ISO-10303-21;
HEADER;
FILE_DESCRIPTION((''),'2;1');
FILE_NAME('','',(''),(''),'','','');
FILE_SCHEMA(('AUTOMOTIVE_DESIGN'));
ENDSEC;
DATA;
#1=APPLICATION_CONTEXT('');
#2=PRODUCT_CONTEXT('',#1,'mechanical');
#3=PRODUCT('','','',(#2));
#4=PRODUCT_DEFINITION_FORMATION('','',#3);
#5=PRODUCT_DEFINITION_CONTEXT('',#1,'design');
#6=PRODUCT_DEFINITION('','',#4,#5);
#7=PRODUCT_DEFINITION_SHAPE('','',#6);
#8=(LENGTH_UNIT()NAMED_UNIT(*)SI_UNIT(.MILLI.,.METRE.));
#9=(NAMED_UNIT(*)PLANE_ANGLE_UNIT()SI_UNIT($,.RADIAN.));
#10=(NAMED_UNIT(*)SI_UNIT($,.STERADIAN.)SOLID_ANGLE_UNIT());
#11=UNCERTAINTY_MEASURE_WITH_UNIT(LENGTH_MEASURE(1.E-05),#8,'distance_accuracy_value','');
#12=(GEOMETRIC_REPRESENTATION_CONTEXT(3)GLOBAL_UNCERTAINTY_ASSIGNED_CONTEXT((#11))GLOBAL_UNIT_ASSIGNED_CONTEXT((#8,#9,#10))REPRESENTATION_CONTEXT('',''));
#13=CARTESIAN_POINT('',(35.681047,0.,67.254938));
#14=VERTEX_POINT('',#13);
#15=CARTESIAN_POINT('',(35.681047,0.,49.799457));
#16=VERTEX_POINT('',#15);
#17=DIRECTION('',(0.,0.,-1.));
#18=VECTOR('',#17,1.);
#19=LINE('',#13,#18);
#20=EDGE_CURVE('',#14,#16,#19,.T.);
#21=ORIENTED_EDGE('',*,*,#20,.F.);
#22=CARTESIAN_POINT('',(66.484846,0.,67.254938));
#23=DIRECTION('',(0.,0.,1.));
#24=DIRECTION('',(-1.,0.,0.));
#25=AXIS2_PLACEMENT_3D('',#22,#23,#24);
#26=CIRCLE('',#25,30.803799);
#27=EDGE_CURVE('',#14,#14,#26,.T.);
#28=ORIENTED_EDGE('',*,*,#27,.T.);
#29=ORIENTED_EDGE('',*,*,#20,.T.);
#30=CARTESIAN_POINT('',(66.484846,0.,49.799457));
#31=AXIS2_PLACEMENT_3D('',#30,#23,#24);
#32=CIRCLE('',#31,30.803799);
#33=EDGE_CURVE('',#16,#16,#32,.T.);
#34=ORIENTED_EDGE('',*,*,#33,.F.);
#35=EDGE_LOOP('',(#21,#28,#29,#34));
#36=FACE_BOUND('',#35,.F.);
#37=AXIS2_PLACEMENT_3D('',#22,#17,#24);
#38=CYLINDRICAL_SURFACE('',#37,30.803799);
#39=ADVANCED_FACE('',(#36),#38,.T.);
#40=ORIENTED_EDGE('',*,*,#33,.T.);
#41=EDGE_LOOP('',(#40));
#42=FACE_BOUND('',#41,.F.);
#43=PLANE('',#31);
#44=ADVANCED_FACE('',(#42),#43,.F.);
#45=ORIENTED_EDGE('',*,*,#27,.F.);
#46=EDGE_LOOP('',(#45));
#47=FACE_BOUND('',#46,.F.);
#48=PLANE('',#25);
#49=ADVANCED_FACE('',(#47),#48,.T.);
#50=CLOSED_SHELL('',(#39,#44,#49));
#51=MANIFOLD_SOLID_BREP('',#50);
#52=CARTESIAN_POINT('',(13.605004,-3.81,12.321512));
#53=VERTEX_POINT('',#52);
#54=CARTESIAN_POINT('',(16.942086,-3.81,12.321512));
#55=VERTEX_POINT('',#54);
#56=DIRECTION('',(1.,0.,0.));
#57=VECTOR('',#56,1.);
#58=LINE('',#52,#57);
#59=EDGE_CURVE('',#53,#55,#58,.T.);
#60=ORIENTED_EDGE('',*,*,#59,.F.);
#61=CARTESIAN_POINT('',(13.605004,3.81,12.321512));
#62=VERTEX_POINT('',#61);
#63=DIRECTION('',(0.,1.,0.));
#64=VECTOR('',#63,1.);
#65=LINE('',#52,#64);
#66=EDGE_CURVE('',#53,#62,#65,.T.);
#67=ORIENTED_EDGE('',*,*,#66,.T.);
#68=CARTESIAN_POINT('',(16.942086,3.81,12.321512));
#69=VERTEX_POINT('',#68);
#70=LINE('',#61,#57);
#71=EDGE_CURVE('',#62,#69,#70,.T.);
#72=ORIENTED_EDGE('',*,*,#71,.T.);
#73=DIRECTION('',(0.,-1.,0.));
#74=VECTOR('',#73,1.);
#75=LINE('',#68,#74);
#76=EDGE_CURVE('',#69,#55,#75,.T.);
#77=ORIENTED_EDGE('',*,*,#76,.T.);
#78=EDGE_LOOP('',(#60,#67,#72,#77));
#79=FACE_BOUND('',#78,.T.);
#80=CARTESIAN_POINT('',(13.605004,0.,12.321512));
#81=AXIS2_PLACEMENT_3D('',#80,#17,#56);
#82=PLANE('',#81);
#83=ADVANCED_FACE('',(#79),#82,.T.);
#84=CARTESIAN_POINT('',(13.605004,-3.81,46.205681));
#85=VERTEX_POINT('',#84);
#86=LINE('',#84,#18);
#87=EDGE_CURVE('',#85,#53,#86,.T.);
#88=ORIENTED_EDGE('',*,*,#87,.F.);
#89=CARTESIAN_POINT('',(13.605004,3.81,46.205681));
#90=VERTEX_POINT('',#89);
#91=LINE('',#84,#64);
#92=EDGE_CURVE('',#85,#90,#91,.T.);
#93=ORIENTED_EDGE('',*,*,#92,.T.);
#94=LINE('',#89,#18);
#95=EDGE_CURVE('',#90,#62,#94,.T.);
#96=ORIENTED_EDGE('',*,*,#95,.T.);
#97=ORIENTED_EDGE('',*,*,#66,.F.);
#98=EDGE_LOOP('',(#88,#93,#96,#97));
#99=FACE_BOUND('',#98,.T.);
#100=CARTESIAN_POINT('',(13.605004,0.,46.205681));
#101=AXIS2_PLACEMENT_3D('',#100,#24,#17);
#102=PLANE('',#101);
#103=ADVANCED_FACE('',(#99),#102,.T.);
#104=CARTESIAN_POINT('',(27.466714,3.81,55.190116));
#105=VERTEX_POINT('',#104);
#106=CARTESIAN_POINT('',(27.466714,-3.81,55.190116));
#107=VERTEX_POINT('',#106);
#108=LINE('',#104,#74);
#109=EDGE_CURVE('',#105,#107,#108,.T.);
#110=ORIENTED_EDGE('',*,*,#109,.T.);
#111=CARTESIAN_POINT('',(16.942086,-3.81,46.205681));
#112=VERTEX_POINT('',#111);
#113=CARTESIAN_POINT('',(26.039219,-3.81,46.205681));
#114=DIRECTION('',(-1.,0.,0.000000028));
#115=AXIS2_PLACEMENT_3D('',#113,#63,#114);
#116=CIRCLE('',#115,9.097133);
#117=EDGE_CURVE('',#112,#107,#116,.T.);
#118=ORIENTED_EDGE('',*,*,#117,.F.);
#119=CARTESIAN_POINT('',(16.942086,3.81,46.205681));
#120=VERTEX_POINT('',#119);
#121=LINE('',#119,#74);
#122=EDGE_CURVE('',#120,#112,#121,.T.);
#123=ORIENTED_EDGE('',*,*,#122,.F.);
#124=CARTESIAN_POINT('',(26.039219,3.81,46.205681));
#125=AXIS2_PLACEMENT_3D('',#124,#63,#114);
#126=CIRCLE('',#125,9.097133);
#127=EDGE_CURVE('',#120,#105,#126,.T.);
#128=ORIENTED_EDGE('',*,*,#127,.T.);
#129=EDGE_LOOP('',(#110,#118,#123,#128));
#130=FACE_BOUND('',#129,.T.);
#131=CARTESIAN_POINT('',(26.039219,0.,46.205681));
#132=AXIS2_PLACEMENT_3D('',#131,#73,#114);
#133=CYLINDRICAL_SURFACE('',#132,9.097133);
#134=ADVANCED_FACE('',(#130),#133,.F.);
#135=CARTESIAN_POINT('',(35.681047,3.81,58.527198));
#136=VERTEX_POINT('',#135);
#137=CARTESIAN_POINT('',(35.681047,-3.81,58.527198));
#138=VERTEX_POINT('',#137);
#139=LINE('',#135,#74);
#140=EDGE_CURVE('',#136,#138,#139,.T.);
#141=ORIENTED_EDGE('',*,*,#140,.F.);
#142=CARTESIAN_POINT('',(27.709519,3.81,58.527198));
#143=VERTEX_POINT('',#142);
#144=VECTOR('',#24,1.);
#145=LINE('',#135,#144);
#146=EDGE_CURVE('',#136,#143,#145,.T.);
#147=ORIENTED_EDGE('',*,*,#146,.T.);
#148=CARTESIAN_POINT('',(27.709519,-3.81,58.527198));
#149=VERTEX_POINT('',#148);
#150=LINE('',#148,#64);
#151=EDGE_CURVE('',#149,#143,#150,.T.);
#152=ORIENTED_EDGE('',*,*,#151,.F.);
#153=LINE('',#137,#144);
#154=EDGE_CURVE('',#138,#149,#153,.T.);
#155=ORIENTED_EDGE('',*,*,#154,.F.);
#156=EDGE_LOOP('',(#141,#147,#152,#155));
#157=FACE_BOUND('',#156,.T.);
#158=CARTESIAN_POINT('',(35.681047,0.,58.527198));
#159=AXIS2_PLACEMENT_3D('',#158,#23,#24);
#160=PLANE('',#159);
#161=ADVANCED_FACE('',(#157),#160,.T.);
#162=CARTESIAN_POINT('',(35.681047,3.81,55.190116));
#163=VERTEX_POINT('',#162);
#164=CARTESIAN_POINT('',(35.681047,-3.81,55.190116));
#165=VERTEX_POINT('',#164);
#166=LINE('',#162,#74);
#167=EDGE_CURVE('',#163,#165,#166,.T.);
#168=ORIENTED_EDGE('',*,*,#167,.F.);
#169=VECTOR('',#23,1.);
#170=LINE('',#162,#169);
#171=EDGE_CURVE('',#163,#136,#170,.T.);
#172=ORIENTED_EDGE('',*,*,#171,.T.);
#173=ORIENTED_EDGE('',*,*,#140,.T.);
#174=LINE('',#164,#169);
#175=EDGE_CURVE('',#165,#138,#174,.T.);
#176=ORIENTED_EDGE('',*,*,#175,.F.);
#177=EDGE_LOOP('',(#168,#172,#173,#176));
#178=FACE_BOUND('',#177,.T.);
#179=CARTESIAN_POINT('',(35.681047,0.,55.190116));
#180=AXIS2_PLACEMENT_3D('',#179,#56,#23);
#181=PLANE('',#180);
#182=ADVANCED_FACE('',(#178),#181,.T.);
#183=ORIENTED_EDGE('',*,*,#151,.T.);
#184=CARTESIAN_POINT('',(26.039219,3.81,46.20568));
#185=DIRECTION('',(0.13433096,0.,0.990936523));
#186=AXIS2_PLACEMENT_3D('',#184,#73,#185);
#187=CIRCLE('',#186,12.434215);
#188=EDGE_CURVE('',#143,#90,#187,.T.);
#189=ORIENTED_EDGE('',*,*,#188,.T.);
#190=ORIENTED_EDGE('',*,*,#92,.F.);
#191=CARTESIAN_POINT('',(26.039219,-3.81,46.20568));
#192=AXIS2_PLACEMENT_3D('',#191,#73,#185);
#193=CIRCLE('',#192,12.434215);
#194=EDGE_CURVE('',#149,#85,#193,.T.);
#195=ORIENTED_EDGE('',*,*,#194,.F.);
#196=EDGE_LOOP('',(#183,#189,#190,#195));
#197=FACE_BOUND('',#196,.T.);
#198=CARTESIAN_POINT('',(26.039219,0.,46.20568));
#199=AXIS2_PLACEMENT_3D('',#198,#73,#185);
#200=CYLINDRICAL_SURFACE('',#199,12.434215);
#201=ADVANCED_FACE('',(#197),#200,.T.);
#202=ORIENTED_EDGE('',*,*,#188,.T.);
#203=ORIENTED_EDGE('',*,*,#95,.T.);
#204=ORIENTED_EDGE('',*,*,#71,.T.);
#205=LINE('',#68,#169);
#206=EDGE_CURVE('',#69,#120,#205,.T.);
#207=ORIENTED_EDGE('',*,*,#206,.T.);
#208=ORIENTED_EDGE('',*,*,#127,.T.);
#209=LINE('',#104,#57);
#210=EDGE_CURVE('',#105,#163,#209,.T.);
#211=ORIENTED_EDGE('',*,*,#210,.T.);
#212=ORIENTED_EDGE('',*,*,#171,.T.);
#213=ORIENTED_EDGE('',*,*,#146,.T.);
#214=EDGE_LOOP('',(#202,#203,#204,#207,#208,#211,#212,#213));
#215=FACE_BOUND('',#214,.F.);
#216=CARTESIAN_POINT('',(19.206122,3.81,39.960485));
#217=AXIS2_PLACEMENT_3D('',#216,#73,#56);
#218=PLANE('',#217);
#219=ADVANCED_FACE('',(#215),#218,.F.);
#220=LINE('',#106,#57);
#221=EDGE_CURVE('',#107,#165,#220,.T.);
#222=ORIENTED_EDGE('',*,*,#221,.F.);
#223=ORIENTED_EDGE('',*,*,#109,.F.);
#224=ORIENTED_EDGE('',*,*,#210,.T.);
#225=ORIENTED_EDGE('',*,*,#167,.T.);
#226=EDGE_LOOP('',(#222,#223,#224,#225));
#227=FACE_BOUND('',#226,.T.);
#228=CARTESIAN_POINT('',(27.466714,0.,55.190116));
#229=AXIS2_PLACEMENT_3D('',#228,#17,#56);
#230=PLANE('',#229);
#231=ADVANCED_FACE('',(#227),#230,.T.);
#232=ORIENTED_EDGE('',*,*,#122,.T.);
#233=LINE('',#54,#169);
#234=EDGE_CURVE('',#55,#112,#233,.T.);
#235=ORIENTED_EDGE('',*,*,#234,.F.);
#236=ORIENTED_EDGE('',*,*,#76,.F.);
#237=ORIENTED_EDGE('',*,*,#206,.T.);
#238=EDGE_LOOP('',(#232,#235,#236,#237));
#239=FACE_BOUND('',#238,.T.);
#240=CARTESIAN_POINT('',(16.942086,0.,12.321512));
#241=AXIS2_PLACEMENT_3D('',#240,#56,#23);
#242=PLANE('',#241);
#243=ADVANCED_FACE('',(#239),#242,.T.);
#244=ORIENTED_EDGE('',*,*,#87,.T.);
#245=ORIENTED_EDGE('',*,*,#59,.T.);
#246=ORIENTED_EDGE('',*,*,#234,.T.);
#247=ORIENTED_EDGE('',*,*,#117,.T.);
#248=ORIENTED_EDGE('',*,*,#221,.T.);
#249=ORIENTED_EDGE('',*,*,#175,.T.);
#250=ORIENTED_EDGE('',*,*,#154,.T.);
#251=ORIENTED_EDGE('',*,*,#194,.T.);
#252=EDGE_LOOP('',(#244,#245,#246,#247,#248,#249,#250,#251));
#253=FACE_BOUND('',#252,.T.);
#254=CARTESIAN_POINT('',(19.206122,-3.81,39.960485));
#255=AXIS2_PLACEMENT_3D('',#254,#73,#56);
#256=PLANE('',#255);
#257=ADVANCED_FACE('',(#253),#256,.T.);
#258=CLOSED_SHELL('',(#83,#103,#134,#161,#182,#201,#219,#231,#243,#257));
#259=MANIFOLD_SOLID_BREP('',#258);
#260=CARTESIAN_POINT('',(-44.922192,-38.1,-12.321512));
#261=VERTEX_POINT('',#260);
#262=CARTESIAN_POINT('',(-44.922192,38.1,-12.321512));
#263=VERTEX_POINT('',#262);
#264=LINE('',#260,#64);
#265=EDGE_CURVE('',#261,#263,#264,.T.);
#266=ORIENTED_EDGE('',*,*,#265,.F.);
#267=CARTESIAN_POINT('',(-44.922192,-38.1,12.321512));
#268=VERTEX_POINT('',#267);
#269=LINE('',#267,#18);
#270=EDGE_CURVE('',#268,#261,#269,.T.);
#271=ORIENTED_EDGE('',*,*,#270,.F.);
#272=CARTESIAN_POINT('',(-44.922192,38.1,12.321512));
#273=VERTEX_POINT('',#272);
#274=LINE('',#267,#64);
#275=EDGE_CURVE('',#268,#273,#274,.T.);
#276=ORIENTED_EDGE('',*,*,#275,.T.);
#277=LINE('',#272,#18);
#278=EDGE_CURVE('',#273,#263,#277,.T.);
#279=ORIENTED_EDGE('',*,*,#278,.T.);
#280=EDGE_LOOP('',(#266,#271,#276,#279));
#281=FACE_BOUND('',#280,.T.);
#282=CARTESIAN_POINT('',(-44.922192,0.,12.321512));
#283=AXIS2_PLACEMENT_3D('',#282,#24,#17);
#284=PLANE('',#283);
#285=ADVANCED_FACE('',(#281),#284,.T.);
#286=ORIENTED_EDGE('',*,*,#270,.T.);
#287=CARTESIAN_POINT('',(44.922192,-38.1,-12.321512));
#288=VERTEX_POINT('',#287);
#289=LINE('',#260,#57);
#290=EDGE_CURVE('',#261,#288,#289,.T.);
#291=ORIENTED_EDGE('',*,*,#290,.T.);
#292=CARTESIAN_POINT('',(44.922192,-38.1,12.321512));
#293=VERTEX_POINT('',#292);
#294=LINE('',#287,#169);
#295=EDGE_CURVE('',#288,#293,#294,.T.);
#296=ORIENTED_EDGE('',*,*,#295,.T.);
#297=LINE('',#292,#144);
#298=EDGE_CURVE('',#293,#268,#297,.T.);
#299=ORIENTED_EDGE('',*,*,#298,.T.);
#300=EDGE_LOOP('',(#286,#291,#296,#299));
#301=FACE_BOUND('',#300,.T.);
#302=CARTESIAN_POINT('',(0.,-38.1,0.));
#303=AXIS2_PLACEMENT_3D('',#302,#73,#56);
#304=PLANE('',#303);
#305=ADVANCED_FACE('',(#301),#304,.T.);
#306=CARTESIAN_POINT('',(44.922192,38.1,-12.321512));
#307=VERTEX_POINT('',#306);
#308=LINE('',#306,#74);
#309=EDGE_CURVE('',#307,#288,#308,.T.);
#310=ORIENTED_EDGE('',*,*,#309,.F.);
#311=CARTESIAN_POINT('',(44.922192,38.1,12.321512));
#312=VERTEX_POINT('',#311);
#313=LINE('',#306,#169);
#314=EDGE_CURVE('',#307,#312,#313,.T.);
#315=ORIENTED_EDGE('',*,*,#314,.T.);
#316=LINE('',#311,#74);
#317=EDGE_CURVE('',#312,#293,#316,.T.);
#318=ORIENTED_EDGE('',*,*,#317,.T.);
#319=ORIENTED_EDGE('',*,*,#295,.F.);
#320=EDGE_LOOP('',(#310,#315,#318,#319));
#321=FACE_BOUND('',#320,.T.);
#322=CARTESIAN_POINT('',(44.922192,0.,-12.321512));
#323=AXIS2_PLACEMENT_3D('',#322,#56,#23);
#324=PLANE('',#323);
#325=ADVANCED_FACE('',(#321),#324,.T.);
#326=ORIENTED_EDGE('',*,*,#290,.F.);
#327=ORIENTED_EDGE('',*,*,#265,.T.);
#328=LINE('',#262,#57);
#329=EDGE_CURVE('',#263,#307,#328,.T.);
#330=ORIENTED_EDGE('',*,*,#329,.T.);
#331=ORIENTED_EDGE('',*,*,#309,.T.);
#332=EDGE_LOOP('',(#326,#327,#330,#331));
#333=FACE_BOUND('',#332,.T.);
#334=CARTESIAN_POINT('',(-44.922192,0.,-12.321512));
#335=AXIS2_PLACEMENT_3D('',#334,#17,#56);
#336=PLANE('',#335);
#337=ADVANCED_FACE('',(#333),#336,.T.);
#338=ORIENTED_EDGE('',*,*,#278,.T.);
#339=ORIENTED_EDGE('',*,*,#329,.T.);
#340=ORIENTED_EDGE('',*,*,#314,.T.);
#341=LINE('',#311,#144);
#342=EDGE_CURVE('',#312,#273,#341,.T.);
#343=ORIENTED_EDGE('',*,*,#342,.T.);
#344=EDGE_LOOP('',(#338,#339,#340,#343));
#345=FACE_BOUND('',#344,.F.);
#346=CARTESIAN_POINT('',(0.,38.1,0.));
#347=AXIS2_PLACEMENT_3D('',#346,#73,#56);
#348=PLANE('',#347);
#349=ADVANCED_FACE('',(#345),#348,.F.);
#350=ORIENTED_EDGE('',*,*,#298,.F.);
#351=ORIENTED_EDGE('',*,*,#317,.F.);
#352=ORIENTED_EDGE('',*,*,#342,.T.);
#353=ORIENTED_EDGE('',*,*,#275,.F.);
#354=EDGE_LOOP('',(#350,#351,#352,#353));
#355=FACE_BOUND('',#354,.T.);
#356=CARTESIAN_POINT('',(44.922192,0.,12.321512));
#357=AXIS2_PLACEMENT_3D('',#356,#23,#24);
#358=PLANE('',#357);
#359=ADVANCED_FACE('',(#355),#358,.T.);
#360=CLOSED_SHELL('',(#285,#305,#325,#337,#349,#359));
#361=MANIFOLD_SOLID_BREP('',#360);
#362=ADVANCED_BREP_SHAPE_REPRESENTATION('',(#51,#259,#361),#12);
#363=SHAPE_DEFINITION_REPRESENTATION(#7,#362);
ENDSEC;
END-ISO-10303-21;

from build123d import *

# Parameters (mm, degrees)
F1_DEPTH = 38.1
F3_DEPTH = 3.81


with BuildPart() as f1:
    # F0 (on Front) → F1 (new body, symmetric)
    with BuildSketch(Plane.XZ):
        Polygon((-44.922192, -12.321512), (44.922192, -12.321512), (44.922192, 12.321512), (16.942086, 12.321512), (13.605004, 12.321512), (-44.922192, 12.321512), align=None)
    extrude(amount=F1_DEPTH, both=True)


with BuildPart() as f2:
    # F0 (on Front) → F2 (revolve)
    with BuildSketch(Plane.XZ):
        Polygon((35.681047, 58.527198), (35.681047, 55.190116), (35.681047, 49.799457), (66.484846, 49.799457), (66.484846, 67.254938), (35.681047, 67.254938), align=None)
    revolve(axis=Axis((66.484846, 0, 58.527198), (0, 0, 1)))


with BuildPart() as f3:
    # F0 (on Front) → F3 (new body, symmetric)
    with BuildSketch(Plane.XZ):
        with BuildLine():
            Line((13.605004, 12.321512), (16.942086, 12.321512))
            Line((16.942086, 12.321512), (16.942086, 46.205681))
            ThreePointArc((16.942086, 46.205681), (20.132794, 53.124638), (27.466714, 55.190116))
            Line((27.466714, 55.190116), (35.681047, 55.190116))
            Line((35.681047, 55.190116), (35.681047, 58.527198))
            Line((35.681047, 58.527198), (27.709519, 58.527198))
            ThreePointArc((27.709519, 58.527198), (17.858729, 55.569936), (13.605004, 46.205681))
            Line((13.605004, 46.205681), (13.605004, 12.321512))
        make_face()
    extrude(amount=F3_DEPTH, both=True)


solid = Compound([f1.part, f2.part, f3.part])
